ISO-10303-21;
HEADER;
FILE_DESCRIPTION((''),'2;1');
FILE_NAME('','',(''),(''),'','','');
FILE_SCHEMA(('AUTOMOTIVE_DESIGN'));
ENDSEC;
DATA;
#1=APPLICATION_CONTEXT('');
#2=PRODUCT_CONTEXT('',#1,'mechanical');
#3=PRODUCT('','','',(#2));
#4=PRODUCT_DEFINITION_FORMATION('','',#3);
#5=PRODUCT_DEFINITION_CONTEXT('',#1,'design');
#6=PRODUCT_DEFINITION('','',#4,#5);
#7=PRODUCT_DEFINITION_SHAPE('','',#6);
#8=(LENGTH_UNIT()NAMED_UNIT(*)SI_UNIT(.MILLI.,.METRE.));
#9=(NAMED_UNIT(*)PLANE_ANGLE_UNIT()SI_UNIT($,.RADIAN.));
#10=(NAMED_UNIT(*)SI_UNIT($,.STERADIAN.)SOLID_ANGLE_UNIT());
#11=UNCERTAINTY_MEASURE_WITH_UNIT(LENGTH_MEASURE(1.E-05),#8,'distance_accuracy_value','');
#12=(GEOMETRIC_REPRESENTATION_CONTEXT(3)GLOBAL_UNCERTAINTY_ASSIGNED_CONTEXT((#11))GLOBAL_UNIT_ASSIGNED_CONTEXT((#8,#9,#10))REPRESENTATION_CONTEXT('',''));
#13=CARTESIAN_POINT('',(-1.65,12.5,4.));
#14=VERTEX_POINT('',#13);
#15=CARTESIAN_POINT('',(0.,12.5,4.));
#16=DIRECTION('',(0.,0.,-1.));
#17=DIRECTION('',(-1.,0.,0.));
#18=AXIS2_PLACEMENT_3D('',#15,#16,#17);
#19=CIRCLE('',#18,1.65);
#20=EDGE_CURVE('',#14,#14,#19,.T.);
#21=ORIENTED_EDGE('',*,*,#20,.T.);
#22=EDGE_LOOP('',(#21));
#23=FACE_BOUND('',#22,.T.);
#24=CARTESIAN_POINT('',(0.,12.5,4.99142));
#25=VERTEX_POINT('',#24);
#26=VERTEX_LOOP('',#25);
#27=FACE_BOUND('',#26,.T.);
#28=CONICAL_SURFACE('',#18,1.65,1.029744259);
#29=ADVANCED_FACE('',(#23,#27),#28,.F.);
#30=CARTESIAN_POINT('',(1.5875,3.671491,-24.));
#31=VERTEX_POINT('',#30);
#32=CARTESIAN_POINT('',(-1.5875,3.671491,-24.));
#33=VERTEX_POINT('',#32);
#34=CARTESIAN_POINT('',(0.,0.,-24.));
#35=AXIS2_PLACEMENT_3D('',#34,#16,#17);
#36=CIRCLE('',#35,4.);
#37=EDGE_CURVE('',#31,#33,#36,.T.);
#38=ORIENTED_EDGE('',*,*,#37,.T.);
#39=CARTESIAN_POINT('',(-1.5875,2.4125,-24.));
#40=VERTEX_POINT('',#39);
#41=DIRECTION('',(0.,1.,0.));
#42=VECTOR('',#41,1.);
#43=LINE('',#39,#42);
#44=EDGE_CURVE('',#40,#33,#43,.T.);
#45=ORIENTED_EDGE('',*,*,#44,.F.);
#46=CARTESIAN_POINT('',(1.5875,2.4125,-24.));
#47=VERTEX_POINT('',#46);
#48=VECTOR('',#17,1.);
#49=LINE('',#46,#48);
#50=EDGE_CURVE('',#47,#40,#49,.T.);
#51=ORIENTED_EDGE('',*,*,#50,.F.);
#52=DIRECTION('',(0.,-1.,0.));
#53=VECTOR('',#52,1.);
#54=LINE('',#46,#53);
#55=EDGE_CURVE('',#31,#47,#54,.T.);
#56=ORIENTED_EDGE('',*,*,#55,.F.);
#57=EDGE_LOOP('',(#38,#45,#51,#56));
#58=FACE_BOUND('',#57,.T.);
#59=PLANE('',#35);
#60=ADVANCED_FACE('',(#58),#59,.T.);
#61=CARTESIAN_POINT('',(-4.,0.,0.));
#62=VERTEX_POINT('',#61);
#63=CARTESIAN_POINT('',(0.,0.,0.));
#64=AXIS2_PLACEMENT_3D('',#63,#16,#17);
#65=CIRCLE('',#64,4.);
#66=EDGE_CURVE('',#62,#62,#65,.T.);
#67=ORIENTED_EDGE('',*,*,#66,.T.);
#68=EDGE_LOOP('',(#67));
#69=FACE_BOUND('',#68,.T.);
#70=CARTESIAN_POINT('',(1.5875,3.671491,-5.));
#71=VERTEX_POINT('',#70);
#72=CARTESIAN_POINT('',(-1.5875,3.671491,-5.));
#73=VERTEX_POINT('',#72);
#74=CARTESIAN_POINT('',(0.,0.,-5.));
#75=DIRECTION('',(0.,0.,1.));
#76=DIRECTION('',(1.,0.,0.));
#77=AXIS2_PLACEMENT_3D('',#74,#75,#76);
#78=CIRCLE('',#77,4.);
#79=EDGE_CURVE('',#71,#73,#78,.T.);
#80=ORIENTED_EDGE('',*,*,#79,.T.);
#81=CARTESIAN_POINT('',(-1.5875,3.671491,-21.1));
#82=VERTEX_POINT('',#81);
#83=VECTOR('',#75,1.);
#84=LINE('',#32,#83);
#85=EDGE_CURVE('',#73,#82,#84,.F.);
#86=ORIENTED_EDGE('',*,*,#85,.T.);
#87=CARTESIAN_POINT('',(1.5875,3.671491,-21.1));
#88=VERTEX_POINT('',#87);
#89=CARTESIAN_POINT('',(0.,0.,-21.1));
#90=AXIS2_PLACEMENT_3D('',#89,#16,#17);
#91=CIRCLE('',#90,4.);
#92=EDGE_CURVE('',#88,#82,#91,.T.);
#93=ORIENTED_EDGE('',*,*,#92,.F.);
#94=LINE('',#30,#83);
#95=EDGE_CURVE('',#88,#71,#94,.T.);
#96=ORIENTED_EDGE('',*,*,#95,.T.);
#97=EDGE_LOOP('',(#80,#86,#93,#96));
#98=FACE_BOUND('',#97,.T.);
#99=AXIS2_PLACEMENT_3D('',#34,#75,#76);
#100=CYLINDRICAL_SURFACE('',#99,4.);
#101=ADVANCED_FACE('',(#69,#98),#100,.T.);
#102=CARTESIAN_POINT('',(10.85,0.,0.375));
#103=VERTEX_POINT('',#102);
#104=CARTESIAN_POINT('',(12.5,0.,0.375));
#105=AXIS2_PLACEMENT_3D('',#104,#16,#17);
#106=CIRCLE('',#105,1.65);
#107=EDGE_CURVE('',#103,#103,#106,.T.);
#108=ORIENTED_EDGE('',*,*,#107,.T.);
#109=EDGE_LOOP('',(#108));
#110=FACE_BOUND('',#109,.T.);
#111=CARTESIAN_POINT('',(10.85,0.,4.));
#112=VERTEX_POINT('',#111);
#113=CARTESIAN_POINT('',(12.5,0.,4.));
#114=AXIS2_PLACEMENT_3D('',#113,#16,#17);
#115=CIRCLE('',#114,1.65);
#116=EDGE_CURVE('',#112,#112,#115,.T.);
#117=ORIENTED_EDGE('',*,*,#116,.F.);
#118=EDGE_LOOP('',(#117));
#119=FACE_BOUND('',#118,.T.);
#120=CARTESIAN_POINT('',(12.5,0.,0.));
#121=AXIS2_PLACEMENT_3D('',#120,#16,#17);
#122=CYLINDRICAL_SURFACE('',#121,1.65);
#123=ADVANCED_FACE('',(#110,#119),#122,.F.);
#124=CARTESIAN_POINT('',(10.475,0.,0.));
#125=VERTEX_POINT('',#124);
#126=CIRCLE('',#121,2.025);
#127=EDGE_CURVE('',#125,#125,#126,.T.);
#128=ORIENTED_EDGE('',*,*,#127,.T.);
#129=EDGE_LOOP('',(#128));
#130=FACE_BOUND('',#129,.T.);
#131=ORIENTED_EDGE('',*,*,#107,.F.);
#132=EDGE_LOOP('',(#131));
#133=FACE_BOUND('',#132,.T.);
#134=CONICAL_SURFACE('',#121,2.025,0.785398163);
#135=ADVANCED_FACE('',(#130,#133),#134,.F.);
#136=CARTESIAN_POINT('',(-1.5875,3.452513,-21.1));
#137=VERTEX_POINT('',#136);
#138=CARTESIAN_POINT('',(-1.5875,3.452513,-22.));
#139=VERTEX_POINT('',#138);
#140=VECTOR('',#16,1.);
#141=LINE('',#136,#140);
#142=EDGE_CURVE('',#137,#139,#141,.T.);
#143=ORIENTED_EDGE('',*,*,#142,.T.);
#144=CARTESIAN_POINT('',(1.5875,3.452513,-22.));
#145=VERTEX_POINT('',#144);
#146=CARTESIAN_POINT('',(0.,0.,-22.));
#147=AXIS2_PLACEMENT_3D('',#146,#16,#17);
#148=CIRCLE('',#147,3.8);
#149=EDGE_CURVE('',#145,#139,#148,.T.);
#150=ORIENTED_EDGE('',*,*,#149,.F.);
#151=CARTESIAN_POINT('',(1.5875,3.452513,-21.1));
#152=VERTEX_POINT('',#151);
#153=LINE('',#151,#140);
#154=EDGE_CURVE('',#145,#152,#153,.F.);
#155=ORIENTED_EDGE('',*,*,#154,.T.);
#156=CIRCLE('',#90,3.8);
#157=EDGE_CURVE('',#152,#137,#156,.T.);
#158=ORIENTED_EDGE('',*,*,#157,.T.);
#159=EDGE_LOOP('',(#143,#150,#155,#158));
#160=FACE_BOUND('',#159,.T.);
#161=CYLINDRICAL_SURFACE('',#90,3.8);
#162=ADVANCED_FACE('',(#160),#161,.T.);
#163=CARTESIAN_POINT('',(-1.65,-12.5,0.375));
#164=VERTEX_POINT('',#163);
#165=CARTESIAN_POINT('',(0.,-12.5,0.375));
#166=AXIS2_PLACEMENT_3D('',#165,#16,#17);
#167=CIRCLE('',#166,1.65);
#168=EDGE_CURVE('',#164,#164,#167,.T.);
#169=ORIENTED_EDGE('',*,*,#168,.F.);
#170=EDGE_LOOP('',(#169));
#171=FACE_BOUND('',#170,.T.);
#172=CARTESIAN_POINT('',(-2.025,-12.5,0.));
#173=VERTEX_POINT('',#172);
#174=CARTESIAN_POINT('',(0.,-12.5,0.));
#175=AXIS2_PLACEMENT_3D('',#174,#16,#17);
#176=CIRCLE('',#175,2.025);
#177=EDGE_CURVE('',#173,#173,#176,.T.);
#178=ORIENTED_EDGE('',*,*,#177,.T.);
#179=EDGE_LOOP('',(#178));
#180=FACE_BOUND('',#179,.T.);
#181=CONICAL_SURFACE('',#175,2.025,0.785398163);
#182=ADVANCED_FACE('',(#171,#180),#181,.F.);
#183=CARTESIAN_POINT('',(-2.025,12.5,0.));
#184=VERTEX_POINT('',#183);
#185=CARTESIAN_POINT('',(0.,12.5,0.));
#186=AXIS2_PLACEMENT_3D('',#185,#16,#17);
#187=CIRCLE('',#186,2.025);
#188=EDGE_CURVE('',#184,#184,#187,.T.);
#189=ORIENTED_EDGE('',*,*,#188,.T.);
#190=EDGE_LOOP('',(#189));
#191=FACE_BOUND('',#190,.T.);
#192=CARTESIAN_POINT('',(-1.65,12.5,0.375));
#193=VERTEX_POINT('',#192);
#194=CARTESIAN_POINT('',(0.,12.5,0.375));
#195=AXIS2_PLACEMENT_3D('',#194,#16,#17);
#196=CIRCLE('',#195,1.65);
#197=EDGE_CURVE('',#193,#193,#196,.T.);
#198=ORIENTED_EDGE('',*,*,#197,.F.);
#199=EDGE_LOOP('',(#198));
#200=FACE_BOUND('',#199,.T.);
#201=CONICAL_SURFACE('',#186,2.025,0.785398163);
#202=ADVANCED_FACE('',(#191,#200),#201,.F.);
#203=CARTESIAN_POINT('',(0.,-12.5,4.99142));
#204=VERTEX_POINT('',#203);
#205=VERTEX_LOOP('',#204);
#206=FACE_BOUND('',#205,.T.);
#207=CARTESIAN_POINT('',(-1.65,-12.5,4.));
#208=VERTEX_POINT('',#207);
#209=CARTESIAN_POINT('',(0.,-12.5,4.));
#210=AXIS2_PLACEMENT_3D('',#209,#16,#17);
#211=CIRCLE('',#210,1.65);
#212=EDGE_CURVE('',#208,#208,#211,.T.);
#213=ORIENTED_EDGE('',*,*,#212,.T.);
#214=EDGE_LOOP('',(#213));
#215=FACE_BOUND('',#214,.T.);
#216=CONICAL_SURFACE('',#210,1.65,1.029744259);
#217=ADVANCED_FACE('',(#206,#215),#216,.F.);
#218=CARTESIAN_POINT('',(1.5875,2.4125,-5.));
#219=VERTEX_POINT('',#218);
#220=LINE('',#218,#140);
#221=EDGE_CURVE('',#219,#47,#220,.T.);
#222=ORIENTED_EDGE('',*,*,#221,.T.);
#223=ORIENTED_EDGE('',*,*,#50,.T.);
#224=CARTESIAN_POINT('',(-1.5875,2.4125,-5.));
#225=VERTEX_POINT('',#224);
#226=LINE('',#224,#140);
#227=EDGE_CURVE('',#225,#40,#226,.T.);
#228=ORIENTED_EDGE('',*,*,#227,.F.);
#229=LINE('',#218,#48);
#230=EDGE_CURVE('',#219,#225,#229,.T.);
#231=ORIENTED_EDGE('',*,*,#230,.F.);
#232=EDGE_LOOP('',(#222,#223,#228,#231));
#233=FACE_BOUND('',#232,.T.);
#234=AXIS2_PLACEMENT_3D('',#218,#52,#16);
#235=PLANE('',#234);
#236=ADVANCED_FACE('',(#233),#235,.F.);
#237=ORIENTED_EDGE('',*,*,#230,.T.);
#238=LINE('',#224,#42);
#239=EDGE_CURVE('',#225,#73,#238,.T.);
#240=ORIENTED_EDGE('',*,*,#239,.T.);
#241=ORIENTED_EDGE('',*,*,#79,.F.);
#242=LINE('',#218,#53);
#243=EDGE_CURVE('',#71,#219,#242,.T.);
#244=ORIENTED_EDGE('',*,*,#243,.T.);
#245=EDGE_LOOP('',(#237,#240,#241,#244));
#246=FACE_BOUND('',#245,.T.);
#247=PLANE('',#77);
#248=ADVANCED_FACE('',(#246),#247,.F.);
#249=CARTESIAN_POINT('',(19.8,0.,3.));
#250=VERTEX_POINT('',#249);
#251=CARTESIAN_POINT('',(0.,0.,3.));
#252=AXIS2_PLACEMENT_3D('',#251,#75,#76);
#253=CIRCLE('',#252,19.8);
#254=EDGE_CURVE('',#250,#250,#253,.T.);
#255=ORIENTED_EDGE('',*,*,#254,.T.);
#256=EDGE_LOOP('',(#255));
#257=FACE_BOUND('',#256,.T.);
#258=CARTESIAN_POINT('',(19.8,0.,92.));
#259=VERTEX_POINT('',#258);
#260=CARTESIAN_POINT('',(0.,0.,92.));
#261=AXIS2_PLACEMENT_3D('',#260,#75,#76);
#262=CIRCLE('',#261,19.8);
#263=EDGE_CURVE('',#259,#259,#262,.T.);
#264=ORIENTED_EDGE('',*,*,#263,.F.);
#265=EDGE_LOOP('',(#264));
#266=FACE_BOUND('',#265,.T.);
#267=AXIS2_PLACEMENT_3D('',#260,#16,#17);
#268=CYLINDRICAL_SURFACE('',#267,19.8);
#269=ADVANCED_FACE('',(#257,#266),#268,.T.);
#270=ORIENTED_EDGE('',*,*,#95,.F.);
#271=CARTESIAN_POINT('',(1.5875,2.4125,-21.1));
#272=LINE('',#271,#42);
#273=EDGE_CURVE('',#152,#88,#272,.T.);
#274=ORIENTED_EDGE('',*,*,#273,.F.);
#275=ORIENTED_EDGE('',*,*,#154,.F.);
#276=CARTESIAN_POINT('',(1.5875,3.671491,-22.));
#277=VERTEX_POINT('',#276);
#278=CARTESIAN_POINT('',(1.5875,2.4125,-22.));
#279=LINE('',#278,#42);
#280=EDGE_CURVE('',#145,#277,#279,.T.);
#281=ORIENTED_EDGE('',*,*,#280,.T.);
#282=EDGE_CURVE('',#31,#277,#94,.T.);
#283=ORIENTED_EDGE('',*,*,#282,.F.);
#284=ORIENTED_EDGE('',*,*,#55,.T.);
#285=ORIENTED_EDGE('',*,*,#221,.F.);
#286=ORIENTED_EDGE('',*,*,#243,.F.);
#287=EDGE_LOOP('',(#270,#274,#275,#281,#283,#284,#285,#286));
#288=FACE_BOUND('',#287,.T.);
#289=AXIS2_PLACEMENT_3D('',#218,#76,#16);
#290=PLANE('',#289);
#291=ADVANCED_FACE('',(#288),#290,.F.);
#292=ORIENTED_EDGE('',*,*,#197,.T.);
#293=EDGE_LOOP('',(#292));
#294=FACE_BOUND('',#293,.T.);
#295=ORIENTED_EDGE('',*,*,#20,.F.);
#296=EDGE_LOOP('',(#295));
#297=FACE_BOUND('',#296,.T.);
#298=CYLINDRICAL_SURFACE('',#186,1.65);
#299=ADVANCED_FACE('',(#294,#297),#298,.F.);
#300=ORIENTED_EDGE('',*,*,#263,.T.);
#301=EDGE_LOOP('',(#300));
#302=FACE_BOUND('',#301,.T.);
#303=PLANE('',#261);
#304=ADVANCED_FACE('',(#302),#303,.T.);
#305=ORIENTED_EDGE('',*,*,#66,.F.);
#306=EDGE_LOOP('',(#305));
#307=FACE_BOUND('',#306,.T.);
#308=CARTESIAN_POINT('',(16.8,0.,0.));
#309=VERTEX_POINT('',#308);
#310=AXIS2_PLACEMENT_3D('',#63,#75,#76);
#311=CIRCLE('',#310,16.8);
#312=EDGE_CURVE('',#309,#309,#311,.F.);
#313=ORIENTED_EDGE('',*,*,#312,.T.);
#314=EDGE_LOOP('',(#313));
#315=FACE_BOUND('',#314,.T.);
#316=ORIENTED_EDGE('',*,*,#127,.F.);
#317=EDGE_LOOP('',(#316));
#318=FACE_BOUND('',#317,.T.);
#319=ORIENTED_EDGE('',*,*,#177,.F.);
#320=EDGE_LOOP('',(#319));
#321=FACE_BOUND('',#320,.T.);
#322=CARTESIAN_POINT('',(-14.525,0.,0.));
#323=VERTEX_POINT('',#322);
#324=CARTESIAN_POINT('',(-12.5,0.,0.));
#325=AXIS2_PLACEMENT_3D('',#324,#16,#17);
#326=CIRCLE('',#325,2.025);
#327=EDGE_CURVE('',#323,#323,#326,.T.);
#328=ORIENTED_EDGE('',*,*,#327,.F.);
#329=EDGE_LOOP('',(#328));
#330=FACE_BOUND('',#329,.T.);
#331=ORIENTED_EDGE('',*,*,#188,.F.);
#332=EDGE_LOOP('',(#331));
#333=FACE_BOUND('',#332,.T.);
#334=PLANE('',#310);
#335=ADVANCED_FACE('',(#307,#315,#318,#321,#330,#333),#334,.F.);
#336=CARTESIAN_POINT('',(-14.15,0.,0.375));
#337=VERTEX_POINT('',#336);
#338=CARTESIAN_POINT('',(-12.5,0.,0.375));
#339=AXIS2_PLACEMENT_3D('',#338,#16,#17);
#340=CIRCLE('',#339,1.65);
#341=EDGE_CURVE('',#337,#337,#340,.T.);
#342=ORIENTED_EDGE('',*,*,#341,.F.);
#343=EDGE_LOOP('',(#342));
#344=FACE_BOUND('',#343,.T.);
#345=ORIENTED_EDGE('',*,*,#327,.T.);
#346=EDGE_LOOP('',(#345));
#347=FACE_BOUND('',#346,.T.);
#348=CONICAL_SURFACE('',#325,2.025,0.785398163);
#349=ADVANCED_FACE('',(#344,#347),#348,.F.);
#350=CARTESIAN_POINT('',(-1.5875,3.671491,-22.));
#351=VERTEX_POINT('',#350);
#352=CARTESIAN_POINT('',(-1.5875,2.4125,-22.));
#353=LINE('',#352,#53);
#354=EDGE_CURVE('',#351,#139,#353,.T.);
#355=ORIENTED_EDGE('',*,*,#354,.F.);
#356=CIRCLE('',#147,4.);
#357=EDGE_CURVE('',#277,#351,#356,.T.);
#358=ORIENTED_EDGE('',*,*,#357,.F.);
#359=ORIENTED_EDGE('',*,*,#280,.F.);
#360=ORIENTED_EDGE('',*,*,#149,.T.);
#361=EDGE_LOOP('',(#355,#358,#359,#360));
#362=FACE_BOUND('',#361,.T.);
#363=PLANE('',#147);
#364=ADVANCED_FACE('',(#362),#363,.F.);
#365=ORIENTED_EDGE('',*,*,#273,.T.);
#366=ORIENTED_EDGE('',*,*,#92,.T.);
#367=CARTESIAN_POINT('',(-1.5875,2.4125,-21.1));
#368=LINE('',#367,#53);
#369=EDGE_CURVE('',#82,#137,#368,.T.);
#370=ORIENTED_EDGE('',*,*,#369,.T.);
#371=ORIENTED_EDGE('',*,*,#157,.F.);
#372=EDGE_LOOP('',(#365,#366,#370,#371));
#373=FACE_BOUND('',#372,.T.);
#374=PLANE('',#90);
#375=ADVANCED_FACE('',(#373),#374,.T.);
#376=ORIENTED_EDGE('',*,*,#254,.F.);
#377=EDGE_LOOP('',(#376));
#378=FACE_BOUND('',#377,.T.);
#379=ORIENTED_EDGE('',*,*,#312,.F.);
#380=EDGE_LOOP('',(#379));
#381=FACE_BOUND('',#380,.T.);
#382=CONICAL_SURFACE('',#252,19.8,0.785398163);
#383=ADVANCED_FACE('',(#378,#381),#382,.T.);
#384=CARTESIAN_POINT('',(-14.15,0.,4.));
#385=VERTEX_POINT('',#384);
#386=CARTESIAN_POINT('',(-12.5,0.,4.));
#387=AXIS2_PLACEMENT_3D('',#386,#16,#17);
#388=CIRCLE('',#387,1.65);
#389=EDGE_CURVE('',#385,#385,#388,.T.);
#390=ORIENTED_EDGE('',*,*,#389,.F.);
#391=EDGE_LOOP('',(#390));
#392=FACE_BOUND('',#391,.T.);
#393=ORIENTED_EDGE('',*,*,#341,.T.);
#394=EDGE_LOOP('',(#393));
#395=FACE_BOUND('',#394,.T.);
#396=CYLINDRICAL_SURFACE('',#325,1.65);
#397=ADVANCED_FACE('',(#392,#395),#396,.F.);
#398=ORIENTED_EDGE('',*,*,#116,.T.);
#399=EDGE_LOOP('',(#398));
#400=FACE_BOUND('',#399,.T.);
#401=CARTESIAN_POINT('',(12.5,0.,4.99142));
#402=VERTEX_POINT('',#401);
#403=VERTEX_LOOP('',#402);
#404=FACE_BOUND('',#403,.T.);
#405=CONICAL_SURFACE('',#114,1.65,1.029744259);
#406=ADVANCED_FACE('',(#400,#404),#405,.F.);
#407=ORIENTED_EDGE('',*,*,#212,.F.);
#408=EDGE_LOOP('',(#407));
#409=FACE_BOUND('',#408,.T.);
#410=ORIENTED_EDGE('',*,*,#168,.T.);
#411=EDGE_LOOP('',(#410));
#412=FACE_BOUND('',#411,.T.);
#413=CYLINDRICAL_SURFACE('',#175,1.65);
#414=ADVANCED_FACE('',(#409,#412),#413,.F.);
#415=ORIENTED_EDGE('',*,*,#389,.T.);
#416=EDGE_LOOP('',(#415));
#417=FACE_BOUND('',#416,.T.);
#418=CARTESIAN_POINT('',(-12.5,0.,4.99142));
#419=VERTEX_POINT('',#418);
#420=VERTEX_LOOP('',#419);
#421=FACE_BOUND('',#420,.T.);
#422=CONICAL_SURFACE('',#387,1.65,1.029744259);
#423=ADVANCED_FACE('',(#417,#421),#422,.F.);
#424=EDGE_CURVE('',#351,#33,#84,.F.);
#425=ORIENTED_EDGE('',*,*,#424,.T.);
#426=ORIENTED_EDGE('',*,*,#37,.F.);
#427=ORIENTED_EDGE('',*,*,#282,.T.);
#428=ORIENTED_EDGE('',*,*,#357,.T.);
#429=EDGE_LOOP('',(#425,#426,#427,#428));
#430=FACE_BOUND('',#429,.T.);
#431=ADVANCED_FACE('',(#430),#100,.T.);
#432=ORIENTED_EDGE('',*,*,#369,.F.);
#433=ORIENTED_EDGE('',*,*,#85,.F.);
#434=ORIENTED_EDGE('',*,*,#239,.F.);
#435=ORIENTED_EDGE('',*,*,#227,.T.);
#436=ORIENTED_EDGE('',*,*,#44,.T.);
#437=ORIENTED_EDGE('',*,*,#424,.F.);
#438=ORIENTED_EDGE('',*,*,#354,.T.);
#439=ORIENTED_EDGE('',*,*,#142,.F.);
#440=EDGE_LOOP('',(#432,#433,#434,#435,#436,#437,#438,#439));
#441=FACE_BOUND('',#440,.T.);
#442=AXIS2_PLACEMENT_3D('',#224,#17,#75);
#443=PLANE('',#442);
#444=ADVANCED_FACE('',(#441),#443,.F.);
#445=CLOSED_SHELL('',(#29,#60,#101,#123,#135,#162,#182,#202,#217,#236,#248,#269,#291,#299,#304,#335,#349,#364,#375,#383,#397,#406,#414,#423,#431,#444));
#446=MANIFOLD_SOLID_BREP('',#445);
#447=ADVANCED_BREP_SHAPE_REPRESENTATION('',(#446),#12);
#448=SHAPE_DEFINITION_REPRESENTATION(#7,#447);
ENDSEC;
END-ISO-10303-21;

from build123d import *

# Parameters (mm, degrees)
SKETCH1_R                       = 19.8
BOSS_EXTRUDE1_DEPTH             = 92
M4X0_7_TAPPED_HOLE1_D           = 3.3
M4X0_7_TAPPED_HOLE1_DEPTH       = 4
M4X0_7_TAPPED_HOLE1_CSINK_D     = 4.05
M4X0_7_TAPPED_HOLE1_CSINK_ANGLE = 90
M4X0_7_TAPPED_HOLE1_TIP         = 0.991420021
SKETCH6_R                       = 4
BOSS_EXTRUDE2_DEPTH             = 24
CHAMFER1_SIZE                   = 3
SKETCH7_W                       = 3.175
SKETCH7_H                       = 3.175
CUT_EXTRUDE1_DEPTH              = 19
CUT_EXTRUDE2_START              = -0.9
SKETCH8_R                       = 4
SKETCH8_R_2                     = 3.8
CUT_EXTRUDE2_DEPTH              = 0.9


with BuildPart() as part:
    # Sketch1 → Boss-Extrude1 (new body)
    with BuildSketch(Plane.XY):
        Circle(SKETCH1_R)
    extrude(amount=BOSS_EXTRUDE1_DEPTH)

    # M4x0.7 Tapped Hole1
    with Locations(Plane(origin=(0, 0, 0), x_dir=(-1, 0, 0), z_dir=(0, 0, -1))):
        with Locations((0, 12.5), (-12.5, 0), (0, -12.5), (12.5, 0)):
            CounterSinkHole(M4X0_7_TAPPED_HOLE1_D / 2, M4X0_7_TAPPED_HOLE1_CSINK_D / 2, depth=M4X0_7_TAPPED_HOLE1_DEPTH, counter_sink_angle=M4X0_7_TAPPED_HOLE1_CSINK_ANGLE)
            with Locations((0, 0, -(M4X0_7_TAPPED_HOLE1_DEPTH + M4X0_7_TAPPED_HOLE1_TIP / 2))):  # 118° drill point
                Cone(0, M4X0_7_TAPPED_HOLE1_D / 2, M4X0_7_TAPPED_HOLE1_TIP, mode=Mode.SUBTRACT)

    # Sketch6 → Boss-Extrude2 (add)
    with BuildSketch(Plane(origin=(0, 0, 0), x_dir=(-1, 0, 0), z_dir=(0, 0, -1))):
        Circle(SKETCH6_R)
    extrude(amount=BOSS_EXTRUDE2_DEPTH)

    # Chamfer1
    chamfer1_edges = [part.edges().sort_by_distance(p)[0] for p in [
        (-19.8, 0, 0),
    ]]
    chamfer(chamfer1_edges, length=CHAMFER1_SIZE)

    # Sketch7 → Cut-Extrude1 (cut)
    with BuildSketch(Plane(origin=(0, 0, -24), x_dir=(-1, 0, 0), z_dir=(0, 0, -1))):
        with Locations((0, 4)):
            Rectangle(SKETCH7_W, SKETCH7_H)
    extrude(amount=-CUT_EXTRUDE1_DEPTH, mode=Mode.SUBTRACT)

    # Sketch8 → Cut-Extrude2 (cut)
    with BuildSketch(Plane(origin=(0, 0, -22), x_dir=(-1, 0, 0), z_dir=(0, 0, -1)).offset(CUT_EXTRUDE2_START)):
        with Locations(Location((0, 0, 0), (0, 0, 113.382964427))):
            Circle(SKETCH8_R)
        Circle(SKETCH8_R_2, mode=Mode.SUBTRACT)
    extrude(amount=CUT_EXTRUDE2_DEPTH, mode=Mode.SUBTRACT)


solid = part.part
